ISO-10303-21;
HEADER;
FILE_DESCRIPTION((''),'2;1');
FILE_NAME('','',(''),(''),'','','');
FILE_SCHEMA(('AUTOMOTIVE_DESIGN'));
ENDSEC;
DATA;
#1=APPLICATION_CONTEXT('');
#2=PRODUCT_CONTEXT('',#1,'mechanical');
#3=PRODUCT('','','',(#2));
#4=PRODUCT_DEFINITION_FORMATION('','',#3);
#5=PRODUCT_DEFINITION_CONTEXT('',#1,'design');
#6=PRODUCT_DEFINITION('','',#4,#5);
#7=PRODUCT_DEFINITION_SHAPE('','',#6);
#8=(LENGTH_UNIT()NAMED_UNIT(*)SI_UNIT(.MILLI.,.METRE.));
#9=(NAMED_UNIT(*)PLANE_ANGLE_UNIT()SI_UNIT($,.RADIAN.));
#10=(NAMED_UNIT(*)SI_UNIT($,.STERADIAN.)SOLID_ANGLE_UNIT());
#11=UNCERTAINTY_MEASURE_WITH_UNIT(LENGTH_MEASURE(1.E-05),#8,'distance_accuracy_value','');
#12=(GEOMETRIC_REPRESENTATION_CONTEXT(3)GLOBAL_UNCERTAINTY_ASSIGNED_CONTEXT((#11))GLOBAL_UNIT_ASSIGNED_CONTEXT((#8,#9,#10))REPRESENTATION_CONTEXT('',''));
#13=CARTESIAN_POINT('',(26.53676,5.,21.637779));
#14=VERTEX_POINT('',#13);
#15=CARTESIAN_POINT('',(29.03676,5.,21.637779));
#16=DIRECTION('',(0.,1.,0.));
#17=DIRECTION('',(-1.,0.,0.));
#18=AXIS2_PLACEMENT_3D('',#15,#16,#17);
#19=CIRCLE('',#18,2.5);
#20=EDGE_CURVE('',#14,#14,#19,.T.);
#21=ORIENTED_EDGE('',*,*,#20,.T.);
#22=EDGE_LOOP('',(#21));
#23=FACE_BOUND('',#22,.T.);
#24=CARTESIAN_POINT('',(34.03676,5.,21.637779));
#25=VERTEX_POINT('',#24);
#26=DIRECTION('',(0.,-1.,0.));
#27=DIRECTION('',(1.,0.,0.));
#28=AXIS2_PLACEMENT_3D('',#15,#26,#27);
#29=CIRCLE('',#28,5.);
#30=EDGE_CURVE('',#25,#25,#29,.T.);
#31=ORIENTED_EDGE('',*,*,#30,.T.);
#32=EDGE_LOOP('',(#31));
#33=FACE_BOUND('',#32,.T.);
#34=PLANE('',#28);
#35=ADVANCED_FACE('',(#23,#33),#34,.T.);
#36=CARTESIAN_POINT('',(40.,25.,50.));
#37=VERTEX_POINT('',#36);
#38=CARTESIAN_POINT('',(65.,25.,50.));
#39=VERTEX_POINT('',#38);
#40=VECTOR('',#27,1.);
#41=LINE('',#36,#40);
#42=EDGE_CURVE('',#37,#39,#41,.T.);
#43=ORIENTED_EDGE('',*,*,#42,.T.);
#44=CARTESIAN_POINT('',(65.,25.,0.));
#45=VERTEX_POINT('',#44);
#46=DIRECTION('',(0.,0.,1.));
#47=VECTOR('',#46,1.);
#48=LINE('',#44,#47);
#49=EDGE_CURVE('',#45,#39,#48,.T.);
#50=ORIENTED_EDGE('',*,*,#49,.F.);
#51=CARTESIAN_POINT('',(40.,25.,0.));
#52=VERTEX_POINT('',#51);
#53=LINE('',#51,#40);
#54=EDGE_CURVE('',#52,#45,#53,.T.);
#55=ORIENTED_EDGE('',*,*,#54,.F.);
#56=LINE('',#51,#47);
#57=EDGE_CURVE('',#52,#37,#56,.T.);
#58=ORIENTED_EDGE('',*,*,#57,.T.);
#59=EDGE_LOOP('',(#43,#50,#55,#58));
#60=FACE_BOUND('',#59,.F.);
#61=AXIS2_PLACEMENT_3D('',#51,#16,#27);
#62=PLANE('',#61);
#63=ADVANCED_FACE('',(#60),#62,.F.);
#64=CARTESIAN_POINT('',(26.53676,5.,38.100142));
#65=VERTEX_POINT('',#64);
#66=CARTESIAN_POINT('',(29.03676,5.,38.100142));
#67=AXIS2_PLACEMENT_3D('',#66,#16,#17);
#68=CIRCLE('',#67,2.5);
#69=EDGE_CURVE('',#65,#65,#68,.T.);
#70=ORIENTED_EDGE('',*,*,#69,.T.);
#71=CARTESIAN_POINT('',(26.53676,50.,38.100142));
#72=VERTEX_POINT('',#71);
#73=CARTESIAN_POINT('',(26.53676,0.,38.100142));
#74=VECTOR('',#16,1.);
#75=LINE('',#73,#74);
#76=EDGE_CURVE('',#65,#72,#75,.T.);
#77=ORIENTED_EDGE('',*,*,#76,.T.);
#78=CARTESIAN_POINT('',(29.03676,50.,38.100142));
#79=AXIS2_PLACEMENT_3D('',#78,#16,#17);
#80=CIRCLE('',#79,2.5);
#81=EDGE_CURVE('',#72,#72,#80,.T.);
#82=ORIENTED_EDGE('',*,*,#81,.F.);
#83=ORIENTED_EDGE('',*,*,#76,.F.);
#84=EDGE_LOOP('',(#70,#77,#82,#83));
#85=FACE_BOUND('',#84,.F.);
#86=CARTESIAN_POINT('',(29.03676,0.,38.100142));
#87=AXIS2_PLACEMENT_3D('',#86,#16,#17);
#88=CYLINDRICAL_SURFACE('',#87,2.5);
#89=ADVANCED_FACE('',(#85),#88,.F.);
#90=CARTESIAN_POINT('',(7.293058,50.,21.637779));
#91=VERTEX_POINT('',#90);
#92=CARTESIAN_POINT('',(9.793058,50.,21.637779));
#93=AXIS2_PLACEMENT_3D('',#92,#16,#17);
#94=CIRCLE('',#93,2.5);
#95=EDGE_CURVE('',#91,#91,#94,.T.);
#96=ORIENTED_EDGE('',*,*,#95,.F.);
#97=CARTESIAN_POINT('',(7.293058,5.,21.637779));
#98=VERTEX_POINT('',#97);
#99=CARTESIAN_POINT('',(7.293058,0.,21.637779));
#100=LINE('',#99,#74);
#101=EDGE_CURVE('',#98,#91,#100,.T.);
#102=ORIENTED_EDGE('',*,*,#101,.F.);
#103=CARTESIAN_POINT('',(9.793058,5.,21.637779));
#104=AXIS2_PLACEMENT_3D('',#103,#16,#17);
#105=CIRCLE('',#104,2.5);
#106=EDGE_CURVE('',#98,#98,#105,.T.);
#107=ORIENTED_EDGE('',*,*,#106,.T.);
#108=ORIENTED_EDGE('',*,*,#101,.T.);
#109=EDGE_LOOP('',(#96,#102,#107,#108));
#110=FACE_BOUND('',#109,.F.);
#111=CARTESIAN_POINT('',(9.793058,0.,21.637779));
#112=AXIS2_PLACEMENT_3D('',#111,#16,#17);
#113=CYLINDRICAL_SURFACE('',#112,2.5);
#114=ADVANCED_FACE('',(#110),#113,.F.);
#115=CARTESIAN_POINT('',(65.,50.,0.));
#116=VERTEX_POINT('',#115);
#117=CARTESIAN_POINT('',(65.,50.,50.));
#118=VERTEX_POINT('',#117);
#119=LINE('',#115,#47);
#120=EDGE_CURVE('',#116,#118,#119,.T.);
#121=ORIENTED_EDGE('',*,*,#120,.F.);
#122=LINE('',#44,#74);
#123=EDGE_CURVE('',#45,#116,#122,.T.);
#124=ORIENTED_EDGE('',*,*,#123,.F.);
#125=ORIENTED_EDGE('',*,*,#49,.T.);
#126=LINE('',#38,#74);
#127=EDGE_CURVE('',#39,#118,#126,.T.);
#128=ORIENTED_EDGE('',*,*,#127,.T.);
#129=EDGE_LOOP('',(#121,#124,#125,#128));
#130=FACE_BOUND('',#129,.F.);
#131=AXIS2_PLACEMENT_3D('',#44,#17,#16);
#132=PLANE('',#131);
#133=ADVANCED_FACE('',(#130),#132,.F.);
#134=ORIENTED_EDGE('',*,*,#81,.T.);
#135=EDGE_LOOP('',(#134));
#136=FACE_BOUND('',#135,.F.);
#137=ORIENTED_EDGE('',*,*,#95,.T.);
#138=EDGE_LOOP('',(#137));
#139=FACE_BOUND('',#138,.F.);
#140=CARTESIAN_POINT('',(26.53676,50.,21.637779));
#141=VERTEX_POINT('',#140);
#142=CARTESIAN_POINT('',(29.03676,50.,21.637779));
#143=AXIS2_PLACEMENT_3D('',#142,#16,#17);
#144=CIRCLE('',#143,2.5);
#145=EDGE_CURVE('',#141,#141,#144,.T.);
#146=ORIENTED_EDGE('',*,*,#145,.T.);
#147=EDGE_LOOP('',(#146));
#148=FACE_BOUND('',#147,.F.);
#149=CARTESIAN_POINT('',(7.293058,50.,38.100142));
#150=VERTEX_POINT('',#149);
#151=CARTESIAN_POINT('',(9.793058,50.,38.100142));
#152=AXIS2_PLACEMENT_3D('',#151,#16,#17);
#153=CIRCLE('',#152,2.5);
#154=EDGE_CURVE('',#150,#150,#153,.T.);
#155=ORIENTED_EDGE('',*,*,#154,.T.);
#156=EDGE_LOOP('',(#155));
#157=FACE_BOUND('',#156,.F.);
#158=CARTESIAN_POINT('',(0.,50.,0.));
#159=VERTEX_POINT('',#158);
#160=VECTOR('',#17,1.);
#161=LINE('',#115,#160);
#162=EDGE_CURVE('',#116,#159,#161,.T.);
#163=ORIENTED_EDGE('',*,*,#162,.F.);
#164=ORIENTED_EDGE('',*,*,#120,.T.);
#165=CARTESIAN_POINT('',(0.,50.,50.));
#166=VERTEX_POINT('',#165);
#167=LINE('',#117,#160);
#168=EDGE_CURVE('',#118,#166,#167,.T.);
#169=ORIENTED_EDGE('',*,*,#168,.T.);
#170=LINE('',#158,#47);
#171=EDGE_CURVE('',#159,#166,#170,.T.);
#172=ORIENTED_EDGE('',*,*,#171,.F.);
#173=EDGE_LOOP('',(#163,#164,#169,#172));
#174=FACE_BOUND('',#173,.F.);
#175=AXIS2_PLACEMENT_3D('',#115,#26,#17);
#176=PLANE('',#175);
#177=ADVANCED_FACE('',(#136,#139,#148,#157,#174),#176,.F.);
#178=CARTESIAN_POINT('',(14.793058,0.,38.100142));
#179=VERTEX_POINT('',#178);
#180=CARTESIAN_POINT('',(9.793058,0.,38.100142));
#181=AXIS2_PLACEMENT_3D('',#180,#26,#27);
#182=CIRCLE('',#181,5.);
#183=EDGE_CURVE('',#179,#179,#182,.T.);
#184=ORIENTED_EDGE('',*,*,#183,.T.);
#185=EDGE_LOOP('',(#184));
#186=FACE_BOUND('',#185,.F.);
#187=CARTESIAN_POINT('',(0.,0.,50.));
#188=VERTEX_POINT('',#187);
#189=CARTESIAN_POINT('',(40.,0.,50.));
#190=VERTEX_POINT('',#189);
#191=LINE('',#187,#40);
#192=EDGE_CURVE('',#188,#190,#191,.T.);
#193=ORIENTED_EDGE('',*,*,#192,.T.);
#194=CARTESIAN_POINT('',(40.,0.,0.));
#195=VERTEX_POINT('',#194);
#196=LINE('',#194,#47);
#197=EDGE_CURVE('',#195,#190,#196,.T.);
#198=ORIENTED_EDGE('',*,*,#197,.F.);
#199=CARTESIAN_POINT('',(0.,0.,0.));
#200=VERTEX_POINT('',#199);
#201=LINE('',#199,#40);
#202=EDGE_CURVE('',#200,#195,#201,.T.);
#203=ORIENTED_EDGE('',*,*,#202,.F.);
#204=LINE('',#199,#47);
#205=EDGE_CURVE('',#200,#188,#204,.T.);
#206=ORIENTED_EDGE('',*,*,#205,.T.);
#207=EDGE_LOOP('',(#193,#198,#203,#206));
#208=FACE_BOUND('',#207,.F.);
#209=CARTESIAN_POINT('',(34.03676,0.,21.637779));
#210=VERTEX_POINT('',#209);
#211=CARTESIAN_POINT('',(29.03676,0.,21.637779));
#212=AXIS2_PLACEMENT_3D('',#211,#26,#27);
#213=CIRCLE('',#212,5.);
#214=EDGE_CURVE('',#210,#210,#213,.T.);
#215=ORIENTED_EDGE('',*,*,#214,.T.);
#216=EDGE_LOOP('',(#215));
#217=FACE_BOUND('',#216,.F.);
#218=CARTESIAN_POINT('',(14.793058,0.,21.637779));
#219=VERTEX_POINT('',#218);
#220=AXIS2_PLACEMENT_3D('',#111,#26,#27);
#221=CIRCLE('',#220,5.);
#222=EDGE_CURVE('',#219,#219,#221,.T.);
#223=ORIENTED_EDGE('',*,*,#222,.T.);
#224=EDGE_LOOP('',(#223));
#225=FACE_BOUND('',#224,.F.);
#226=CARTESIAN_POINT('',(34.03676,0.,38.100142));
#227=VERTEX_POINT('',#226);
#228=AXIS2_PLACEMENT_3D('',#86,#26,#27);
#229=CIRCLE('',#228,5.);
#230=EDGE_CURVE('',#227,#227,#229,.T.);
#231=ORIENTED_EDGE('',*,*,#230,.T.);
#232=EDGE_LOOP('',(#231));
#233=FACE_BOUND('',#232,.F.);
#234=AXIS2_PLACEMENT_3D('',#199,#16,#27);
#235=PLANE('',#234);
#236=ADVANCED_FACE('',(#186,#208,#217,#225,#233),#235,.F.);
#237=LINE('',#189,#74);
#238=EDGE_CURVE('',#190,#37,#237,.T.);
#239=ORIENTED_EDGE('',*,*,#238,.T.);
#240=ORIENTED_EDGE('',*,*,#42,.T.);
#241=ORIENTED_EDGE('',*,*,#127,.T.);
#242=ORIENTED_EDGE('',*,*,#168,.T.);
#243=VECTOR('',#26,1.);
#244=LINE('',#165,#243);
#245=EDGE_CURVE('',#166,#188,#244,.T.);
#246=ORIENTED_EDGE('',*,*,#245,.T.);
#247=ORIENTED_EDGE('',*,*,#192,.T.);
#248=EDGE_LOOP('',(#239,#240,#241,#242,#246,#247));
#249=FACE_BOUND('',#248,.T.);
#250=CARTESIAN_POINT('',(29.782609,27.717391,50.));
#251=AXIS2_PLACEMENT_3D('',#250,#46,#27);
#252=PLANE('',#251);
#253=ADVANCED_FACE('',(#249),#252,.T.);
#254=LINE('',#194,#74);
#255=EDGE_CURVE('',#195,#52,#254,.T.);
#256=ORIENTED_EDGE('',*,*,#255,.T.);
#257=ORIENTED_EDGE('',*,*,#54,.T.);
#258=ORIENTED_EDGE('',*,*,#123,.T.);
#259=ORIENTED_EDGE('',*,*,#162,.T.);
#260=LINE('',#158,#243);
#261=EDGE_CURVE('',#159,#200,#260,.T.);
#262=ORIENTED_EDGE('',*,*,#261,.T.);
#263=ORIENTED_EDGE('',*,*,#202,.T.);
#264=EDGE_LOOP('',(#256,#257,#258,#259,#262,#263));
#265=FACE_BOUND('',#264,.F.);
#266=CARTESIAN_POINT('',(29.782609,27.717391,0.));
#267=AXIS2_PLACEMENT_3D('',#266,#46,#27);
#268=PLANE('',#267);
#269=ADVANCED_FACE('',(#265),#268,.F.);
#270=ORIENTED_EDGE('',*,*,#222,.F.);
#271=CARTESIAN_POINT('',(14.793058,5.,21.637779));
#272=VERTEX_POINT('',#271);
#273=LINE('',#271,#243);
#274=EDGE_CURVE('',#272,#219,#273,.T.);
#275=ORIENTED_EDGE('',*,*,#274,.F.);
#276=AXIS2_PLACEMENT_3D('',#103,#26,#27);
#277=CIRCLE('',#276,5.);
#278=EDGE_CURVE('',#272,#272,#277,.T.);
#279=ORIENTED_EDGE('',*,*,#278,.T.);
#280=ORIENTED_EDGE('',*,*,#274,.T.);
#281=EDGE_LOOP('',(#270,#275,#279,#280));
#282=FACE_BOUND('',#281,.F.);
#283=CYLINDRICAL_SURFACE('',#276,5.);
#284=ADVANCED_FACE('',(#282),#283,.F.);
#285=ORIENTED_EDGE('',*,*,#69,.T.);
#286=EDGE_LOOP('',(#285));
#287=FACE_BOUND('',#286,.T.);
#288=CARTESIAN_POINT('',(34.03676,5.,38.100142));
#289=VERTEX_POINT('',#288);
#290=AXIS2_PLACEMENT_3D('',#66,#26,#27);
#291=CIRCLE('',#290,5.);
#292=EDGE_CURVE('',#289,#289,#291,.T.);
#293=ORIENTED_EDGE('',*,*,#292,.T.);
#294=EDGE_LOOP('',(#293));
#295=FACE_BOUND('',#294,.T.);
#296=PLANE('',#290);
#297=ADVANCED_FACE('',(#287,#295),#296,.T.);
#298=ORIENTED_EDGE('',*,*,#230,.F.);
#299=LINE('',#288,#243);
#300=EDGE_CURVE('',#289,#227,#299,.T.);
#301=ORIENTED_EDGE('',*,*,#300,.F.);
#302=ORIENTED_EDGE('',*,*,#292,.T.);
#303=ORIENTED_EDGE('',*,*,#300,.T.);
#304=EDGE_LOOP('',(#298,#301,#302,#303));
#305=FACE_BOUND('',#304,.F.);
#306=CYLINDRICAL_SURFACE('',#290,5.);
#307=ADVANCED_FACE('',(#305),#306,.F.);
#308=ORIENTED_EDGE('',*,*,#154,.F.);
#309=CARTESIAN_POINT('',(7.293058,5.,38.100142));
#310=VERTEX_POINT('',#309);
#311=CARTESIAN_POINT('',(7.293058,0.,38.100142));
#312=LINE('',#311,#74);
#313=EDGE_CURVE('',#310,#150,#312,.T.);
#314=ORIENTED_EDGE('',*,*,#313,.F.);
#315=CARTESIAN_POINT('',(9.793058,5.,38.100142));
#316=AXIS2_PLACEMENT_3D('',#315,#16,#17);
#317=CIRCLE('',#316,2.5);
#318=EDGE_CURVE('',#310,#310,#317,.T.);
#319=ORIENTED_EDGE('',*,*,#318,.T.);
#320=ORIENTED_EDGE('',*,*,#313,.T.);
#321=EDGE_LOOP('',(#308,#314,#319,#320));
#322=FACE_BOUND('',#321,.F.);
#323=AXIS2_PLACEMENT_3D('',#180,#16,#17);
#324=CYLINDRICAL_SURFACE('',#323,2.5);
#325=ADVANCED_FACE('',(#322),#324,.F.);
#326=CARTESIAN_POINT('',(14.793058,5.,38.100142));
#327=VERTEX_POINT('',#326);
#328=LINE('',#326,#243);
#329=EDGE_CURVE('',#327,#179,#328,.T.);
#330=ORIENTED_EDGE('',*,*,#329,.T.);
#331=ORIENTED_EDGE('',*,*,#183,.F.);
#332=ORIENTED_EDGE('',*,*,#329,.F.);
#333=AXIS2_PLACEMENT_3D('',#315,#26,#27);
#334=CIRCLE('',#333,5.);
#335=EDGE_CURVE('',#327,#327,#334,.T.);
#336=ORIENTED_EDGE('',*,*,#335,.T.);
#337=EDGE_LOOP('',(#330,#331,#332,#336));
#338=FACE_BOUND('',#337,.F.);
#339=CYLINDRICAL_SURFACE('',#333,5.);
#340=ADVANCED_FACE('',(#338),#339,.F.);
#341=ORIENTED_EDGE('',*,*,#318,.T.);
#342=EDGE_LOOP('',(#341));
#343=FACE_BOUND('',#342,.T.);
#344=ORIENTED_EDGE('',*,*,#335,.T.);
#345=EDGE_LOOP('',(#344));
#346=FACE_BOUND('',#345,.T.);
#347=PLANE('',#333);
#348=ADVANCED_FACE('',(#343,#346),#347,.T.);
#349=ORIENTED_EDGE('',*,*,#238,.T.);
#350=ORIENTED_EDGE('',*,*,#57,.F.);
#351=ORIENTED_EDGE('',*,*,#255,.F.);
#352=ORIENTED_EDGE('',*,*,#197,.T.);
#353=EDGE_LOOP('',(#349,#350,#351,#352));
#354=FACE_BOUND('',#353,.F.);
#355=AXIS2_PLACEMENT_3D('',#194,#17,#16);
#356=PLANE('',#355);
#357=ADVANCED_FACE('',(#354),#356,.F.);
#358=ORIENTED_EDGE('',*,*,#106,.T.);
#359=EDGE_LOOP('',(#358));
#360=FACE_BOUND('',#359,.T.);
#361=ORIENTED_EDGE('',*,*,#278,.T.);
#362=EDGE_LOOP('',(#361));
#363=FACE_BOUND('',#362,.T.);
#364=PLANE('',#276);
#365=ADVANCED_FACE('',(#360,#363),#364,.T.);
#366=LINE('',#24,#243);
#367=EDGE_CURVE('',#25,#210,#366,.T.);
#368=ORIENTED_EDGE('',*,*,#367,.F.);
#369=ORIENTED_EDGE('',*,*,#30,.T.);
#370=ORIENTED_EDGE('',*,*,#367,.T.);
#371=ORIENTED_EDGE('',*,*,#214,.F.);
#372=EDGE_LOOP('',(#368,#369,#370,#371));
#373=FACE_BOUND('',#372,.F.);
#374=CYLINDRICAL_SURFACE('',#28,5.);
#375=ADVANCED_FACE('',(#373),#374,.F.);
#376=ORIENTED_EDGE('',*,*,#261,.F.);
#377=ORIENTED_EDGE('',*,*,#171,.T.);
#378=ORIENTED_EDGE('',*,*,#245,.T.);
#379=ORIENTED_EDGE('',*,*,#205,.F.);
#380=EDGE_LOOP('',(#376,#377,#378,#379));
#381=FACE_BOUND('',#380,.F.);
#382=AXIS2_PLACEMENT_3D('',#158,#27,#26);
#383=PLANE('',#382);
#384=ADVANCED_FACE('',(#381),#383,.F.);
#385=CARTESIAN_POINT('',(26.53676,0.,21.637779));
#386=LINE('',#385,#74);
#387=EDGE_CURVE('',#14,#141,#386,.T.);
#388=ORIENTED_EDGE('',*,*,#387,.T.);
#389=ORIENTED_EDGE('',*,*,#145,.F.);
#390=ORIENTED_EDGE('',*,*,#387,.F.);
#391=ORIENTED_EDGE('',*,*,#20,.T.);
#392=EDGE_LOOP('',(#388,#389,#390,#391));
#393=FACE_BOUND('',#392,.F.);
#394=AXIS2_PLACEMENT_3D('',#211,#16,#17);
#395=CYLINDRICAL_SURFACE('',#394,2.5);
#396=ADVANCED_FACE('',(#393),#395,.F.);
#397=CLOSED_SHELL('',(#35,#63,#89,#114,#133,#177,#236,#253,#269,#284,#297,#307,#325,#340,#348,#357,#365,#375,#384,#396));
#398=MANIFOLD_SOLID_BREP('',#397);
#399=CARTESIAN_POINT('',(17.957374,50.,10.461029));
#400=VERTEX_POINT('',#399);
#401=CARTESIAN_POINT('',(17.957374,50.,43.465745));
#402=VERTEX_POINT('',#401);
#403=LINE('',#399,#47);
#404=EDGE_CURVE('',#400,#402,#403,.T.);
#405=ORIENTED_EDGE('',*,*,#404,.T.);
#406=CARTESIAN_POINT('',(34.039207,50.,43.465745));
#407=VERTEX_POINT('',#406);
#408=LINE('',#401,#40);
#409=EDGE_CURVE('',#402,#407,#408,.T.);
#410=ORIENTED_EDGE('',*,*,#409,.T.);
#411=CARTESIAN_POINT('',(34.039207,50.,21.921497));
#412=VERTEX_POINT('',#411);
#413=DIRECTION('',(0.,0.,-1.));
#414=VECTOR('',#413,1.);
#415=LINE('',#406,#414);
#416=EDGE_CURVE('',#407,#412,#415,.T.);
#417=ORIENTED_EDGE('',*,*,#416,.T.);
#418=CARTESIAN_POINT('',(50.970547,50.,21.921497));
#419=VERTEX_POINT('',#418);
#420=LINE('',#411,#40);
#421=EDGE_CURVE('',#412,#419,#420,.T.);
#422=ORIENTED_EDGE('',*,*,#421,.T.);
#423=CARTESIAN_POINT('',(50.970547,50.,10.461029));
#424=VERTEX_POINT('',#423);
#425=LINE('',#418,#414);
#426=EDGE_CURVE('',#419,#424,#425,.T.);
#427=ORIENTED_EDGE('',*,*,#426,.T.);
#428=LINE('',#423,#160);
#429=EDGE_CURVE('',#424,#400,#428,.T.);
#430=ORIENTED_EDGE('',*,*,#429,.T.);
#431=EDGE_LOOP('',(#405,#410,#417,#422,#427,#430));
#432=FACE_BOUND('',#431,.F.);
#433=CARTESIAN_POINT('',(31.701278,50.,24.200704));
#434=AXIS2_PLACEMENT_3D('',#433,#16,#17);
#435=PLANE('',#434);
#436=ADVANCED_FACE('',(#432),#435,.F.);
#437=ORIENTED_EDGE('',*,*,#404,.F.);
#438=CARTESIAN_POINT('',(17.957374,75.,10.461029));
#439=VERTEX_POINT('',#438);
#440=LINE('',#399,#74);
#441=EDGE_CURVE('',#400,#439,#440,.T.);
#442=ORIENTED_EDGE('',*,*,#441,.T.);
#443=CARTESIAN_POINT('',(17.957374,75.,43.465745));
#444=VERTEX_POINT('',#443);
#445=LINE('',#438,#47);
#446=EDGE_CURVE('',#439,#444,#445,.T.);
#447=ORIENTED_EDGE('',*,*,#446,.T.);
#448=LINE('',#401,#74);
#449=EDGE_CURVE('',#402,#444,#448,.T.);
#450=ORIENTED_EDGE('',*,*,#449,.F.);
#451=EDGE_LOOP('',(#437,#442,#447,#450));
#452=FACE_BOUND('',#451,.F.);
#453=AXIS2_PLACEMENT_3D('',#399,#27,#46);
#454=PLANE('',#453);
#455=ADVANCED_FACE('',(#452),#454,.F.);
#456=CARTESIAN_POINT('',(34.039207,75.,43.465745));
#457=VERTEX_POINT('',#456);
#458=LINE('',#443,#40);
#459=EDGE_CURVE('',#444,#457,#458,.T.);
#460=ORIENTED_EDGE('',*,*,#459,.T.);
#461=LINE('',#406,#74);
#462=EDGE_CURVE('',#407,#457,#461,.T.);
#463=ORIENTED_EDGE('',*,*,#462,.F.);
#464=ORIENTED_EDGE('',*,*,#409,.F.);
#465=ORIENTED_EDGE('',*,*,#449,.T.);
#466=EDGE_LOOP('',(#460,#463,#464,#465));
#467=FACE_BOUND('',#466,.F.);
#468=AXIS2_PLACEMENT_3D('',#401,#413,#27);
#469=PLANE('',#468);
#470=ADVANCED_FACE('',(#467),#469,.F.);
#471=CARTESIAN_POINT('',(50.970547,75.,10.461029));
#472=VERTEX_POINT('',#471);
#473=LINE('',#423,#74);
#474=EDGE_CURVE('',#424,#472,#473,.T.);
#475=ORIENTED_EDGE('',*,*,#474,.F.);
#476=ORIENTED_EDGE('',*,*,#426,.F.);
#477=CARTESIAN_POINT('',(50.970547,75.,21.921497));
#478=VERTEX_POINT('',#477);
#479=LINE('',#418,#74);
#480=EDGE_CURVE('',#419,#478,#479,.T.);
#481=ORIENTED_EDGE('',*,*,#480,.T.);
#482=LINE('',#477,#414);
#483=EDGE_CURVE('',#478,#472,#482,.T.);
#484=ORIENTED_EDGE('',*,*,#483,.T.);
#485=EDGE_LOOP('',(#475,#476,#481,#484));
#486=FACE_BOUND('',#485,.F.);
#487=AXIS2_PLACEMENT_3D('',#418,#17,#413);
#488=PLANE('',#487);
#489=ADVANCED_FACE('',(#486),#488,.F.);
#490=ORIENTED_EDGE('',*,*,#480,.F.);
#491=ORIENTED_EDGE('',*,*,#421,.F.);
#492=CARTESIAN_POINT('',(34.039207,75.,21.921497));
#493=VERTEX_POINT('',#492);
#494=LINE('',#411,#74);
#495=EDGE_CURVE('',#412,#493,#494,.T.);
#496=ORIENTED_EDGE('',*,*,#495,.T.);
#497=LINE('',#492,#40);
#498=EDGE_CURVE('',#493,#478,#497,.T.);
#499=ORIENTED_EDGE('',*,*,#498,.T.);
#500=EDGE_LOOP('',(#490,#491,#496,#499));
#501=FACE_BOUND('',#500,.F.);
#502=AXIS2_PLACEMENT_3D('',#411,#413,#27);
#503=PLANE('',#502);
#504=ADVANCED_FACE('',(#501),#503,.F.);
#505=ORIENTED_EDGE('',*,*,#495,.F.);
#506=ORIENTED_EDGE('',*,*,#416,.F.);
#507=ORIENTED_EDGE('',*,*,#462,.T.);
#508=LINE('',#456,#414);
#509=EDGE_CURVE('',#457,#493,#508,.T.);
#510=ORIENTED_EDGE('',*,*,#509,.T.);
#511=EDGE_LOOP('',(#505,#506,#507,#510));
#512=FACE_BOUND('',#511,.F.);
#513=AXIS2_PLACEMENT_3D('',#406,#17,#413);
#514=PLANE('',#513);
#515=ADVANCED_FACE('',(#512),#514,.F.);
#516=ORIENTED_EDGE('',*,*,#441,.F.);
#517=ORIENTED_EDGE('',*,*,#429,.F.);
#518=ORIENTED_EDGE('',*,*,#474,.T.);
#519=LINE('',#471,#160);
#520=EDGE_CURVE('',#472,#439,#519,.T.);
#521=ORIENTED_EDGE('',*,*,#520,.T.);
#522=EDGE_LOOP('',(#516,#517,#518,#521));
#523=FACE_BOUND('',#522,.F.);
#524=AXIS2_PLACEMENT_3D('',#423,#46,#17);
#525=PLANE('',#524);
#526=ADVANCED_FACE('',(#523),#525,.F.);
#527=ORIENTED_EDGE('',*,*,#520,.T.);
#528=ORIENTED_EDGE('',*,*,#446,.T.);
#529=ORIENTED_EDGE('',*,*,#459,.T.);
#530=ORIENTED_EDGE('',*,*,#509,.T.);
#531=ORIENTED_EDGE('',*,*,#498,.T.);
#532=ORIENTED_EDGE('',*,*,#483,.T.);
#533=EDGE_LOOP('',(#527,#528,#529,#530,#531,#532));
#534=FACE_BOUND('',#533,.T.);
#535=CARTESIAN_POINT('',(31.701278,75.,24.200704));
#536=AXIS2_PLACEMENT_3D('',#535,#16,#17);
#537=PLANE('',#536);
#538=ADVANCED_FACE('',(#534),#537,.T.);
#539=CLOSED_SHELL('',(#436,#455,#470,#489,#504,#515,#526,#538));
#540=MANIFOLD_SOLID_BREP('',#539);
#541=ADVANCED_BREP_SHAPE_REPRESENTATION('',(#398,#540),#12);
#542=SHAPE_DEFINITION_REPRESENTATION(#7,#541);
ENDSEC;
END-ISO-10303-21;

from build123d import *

# Parameters (mm, degrees)
F5_DEPTH       = 50
F2_DEPTH       = 25
F3_D           = 5
F3_CBORE_D     = 10
F3_CBORE_DEPTH = 5


with BuildPart() as f5:
    # F4 (on Top) → F5 (new body)
    with BuildSketch(Plane.XY):
        Polygon((0, 50), (0, 0), (40, 0), (40, 25), (65, 25), (65, 50), align=None)
    extrude(amount=F5_DEPTH)

    # F3 (through all)
    with Locations(Plane.XZ):
        with Locations((9.7930580378, 21.6377787292), (29.0367603302, 21.6377787292), (29.0367603302, 38.1001420319), (9.7930580378, 38.1001420319)):
            CounterBoreHole(F3_D / 2, F3_CBORE_D / 2, F3_CBORE_DEPTH)


with BuildPart() as f2:
    # F0 (on face) → F2 (new body)
    with BuildSketch(Plane(origin=(0, 50, 0), x_dir=(-1, 0, 0), z_dir=(0, 1, 0))):
        Polygon((-50.9705469012, 10.4610286653), (-17.9573744535, 10.4610286653), (-17.9573744535, 43.465744704), (-34.0392068028, 43.465744704), (-34.0392068028, 21.9214968383), (-50.9705469012, 21.9214968383), align=None)
    extrude(amount=F2_DEPTH)


solid = Compound([f5.part, f2.part])
